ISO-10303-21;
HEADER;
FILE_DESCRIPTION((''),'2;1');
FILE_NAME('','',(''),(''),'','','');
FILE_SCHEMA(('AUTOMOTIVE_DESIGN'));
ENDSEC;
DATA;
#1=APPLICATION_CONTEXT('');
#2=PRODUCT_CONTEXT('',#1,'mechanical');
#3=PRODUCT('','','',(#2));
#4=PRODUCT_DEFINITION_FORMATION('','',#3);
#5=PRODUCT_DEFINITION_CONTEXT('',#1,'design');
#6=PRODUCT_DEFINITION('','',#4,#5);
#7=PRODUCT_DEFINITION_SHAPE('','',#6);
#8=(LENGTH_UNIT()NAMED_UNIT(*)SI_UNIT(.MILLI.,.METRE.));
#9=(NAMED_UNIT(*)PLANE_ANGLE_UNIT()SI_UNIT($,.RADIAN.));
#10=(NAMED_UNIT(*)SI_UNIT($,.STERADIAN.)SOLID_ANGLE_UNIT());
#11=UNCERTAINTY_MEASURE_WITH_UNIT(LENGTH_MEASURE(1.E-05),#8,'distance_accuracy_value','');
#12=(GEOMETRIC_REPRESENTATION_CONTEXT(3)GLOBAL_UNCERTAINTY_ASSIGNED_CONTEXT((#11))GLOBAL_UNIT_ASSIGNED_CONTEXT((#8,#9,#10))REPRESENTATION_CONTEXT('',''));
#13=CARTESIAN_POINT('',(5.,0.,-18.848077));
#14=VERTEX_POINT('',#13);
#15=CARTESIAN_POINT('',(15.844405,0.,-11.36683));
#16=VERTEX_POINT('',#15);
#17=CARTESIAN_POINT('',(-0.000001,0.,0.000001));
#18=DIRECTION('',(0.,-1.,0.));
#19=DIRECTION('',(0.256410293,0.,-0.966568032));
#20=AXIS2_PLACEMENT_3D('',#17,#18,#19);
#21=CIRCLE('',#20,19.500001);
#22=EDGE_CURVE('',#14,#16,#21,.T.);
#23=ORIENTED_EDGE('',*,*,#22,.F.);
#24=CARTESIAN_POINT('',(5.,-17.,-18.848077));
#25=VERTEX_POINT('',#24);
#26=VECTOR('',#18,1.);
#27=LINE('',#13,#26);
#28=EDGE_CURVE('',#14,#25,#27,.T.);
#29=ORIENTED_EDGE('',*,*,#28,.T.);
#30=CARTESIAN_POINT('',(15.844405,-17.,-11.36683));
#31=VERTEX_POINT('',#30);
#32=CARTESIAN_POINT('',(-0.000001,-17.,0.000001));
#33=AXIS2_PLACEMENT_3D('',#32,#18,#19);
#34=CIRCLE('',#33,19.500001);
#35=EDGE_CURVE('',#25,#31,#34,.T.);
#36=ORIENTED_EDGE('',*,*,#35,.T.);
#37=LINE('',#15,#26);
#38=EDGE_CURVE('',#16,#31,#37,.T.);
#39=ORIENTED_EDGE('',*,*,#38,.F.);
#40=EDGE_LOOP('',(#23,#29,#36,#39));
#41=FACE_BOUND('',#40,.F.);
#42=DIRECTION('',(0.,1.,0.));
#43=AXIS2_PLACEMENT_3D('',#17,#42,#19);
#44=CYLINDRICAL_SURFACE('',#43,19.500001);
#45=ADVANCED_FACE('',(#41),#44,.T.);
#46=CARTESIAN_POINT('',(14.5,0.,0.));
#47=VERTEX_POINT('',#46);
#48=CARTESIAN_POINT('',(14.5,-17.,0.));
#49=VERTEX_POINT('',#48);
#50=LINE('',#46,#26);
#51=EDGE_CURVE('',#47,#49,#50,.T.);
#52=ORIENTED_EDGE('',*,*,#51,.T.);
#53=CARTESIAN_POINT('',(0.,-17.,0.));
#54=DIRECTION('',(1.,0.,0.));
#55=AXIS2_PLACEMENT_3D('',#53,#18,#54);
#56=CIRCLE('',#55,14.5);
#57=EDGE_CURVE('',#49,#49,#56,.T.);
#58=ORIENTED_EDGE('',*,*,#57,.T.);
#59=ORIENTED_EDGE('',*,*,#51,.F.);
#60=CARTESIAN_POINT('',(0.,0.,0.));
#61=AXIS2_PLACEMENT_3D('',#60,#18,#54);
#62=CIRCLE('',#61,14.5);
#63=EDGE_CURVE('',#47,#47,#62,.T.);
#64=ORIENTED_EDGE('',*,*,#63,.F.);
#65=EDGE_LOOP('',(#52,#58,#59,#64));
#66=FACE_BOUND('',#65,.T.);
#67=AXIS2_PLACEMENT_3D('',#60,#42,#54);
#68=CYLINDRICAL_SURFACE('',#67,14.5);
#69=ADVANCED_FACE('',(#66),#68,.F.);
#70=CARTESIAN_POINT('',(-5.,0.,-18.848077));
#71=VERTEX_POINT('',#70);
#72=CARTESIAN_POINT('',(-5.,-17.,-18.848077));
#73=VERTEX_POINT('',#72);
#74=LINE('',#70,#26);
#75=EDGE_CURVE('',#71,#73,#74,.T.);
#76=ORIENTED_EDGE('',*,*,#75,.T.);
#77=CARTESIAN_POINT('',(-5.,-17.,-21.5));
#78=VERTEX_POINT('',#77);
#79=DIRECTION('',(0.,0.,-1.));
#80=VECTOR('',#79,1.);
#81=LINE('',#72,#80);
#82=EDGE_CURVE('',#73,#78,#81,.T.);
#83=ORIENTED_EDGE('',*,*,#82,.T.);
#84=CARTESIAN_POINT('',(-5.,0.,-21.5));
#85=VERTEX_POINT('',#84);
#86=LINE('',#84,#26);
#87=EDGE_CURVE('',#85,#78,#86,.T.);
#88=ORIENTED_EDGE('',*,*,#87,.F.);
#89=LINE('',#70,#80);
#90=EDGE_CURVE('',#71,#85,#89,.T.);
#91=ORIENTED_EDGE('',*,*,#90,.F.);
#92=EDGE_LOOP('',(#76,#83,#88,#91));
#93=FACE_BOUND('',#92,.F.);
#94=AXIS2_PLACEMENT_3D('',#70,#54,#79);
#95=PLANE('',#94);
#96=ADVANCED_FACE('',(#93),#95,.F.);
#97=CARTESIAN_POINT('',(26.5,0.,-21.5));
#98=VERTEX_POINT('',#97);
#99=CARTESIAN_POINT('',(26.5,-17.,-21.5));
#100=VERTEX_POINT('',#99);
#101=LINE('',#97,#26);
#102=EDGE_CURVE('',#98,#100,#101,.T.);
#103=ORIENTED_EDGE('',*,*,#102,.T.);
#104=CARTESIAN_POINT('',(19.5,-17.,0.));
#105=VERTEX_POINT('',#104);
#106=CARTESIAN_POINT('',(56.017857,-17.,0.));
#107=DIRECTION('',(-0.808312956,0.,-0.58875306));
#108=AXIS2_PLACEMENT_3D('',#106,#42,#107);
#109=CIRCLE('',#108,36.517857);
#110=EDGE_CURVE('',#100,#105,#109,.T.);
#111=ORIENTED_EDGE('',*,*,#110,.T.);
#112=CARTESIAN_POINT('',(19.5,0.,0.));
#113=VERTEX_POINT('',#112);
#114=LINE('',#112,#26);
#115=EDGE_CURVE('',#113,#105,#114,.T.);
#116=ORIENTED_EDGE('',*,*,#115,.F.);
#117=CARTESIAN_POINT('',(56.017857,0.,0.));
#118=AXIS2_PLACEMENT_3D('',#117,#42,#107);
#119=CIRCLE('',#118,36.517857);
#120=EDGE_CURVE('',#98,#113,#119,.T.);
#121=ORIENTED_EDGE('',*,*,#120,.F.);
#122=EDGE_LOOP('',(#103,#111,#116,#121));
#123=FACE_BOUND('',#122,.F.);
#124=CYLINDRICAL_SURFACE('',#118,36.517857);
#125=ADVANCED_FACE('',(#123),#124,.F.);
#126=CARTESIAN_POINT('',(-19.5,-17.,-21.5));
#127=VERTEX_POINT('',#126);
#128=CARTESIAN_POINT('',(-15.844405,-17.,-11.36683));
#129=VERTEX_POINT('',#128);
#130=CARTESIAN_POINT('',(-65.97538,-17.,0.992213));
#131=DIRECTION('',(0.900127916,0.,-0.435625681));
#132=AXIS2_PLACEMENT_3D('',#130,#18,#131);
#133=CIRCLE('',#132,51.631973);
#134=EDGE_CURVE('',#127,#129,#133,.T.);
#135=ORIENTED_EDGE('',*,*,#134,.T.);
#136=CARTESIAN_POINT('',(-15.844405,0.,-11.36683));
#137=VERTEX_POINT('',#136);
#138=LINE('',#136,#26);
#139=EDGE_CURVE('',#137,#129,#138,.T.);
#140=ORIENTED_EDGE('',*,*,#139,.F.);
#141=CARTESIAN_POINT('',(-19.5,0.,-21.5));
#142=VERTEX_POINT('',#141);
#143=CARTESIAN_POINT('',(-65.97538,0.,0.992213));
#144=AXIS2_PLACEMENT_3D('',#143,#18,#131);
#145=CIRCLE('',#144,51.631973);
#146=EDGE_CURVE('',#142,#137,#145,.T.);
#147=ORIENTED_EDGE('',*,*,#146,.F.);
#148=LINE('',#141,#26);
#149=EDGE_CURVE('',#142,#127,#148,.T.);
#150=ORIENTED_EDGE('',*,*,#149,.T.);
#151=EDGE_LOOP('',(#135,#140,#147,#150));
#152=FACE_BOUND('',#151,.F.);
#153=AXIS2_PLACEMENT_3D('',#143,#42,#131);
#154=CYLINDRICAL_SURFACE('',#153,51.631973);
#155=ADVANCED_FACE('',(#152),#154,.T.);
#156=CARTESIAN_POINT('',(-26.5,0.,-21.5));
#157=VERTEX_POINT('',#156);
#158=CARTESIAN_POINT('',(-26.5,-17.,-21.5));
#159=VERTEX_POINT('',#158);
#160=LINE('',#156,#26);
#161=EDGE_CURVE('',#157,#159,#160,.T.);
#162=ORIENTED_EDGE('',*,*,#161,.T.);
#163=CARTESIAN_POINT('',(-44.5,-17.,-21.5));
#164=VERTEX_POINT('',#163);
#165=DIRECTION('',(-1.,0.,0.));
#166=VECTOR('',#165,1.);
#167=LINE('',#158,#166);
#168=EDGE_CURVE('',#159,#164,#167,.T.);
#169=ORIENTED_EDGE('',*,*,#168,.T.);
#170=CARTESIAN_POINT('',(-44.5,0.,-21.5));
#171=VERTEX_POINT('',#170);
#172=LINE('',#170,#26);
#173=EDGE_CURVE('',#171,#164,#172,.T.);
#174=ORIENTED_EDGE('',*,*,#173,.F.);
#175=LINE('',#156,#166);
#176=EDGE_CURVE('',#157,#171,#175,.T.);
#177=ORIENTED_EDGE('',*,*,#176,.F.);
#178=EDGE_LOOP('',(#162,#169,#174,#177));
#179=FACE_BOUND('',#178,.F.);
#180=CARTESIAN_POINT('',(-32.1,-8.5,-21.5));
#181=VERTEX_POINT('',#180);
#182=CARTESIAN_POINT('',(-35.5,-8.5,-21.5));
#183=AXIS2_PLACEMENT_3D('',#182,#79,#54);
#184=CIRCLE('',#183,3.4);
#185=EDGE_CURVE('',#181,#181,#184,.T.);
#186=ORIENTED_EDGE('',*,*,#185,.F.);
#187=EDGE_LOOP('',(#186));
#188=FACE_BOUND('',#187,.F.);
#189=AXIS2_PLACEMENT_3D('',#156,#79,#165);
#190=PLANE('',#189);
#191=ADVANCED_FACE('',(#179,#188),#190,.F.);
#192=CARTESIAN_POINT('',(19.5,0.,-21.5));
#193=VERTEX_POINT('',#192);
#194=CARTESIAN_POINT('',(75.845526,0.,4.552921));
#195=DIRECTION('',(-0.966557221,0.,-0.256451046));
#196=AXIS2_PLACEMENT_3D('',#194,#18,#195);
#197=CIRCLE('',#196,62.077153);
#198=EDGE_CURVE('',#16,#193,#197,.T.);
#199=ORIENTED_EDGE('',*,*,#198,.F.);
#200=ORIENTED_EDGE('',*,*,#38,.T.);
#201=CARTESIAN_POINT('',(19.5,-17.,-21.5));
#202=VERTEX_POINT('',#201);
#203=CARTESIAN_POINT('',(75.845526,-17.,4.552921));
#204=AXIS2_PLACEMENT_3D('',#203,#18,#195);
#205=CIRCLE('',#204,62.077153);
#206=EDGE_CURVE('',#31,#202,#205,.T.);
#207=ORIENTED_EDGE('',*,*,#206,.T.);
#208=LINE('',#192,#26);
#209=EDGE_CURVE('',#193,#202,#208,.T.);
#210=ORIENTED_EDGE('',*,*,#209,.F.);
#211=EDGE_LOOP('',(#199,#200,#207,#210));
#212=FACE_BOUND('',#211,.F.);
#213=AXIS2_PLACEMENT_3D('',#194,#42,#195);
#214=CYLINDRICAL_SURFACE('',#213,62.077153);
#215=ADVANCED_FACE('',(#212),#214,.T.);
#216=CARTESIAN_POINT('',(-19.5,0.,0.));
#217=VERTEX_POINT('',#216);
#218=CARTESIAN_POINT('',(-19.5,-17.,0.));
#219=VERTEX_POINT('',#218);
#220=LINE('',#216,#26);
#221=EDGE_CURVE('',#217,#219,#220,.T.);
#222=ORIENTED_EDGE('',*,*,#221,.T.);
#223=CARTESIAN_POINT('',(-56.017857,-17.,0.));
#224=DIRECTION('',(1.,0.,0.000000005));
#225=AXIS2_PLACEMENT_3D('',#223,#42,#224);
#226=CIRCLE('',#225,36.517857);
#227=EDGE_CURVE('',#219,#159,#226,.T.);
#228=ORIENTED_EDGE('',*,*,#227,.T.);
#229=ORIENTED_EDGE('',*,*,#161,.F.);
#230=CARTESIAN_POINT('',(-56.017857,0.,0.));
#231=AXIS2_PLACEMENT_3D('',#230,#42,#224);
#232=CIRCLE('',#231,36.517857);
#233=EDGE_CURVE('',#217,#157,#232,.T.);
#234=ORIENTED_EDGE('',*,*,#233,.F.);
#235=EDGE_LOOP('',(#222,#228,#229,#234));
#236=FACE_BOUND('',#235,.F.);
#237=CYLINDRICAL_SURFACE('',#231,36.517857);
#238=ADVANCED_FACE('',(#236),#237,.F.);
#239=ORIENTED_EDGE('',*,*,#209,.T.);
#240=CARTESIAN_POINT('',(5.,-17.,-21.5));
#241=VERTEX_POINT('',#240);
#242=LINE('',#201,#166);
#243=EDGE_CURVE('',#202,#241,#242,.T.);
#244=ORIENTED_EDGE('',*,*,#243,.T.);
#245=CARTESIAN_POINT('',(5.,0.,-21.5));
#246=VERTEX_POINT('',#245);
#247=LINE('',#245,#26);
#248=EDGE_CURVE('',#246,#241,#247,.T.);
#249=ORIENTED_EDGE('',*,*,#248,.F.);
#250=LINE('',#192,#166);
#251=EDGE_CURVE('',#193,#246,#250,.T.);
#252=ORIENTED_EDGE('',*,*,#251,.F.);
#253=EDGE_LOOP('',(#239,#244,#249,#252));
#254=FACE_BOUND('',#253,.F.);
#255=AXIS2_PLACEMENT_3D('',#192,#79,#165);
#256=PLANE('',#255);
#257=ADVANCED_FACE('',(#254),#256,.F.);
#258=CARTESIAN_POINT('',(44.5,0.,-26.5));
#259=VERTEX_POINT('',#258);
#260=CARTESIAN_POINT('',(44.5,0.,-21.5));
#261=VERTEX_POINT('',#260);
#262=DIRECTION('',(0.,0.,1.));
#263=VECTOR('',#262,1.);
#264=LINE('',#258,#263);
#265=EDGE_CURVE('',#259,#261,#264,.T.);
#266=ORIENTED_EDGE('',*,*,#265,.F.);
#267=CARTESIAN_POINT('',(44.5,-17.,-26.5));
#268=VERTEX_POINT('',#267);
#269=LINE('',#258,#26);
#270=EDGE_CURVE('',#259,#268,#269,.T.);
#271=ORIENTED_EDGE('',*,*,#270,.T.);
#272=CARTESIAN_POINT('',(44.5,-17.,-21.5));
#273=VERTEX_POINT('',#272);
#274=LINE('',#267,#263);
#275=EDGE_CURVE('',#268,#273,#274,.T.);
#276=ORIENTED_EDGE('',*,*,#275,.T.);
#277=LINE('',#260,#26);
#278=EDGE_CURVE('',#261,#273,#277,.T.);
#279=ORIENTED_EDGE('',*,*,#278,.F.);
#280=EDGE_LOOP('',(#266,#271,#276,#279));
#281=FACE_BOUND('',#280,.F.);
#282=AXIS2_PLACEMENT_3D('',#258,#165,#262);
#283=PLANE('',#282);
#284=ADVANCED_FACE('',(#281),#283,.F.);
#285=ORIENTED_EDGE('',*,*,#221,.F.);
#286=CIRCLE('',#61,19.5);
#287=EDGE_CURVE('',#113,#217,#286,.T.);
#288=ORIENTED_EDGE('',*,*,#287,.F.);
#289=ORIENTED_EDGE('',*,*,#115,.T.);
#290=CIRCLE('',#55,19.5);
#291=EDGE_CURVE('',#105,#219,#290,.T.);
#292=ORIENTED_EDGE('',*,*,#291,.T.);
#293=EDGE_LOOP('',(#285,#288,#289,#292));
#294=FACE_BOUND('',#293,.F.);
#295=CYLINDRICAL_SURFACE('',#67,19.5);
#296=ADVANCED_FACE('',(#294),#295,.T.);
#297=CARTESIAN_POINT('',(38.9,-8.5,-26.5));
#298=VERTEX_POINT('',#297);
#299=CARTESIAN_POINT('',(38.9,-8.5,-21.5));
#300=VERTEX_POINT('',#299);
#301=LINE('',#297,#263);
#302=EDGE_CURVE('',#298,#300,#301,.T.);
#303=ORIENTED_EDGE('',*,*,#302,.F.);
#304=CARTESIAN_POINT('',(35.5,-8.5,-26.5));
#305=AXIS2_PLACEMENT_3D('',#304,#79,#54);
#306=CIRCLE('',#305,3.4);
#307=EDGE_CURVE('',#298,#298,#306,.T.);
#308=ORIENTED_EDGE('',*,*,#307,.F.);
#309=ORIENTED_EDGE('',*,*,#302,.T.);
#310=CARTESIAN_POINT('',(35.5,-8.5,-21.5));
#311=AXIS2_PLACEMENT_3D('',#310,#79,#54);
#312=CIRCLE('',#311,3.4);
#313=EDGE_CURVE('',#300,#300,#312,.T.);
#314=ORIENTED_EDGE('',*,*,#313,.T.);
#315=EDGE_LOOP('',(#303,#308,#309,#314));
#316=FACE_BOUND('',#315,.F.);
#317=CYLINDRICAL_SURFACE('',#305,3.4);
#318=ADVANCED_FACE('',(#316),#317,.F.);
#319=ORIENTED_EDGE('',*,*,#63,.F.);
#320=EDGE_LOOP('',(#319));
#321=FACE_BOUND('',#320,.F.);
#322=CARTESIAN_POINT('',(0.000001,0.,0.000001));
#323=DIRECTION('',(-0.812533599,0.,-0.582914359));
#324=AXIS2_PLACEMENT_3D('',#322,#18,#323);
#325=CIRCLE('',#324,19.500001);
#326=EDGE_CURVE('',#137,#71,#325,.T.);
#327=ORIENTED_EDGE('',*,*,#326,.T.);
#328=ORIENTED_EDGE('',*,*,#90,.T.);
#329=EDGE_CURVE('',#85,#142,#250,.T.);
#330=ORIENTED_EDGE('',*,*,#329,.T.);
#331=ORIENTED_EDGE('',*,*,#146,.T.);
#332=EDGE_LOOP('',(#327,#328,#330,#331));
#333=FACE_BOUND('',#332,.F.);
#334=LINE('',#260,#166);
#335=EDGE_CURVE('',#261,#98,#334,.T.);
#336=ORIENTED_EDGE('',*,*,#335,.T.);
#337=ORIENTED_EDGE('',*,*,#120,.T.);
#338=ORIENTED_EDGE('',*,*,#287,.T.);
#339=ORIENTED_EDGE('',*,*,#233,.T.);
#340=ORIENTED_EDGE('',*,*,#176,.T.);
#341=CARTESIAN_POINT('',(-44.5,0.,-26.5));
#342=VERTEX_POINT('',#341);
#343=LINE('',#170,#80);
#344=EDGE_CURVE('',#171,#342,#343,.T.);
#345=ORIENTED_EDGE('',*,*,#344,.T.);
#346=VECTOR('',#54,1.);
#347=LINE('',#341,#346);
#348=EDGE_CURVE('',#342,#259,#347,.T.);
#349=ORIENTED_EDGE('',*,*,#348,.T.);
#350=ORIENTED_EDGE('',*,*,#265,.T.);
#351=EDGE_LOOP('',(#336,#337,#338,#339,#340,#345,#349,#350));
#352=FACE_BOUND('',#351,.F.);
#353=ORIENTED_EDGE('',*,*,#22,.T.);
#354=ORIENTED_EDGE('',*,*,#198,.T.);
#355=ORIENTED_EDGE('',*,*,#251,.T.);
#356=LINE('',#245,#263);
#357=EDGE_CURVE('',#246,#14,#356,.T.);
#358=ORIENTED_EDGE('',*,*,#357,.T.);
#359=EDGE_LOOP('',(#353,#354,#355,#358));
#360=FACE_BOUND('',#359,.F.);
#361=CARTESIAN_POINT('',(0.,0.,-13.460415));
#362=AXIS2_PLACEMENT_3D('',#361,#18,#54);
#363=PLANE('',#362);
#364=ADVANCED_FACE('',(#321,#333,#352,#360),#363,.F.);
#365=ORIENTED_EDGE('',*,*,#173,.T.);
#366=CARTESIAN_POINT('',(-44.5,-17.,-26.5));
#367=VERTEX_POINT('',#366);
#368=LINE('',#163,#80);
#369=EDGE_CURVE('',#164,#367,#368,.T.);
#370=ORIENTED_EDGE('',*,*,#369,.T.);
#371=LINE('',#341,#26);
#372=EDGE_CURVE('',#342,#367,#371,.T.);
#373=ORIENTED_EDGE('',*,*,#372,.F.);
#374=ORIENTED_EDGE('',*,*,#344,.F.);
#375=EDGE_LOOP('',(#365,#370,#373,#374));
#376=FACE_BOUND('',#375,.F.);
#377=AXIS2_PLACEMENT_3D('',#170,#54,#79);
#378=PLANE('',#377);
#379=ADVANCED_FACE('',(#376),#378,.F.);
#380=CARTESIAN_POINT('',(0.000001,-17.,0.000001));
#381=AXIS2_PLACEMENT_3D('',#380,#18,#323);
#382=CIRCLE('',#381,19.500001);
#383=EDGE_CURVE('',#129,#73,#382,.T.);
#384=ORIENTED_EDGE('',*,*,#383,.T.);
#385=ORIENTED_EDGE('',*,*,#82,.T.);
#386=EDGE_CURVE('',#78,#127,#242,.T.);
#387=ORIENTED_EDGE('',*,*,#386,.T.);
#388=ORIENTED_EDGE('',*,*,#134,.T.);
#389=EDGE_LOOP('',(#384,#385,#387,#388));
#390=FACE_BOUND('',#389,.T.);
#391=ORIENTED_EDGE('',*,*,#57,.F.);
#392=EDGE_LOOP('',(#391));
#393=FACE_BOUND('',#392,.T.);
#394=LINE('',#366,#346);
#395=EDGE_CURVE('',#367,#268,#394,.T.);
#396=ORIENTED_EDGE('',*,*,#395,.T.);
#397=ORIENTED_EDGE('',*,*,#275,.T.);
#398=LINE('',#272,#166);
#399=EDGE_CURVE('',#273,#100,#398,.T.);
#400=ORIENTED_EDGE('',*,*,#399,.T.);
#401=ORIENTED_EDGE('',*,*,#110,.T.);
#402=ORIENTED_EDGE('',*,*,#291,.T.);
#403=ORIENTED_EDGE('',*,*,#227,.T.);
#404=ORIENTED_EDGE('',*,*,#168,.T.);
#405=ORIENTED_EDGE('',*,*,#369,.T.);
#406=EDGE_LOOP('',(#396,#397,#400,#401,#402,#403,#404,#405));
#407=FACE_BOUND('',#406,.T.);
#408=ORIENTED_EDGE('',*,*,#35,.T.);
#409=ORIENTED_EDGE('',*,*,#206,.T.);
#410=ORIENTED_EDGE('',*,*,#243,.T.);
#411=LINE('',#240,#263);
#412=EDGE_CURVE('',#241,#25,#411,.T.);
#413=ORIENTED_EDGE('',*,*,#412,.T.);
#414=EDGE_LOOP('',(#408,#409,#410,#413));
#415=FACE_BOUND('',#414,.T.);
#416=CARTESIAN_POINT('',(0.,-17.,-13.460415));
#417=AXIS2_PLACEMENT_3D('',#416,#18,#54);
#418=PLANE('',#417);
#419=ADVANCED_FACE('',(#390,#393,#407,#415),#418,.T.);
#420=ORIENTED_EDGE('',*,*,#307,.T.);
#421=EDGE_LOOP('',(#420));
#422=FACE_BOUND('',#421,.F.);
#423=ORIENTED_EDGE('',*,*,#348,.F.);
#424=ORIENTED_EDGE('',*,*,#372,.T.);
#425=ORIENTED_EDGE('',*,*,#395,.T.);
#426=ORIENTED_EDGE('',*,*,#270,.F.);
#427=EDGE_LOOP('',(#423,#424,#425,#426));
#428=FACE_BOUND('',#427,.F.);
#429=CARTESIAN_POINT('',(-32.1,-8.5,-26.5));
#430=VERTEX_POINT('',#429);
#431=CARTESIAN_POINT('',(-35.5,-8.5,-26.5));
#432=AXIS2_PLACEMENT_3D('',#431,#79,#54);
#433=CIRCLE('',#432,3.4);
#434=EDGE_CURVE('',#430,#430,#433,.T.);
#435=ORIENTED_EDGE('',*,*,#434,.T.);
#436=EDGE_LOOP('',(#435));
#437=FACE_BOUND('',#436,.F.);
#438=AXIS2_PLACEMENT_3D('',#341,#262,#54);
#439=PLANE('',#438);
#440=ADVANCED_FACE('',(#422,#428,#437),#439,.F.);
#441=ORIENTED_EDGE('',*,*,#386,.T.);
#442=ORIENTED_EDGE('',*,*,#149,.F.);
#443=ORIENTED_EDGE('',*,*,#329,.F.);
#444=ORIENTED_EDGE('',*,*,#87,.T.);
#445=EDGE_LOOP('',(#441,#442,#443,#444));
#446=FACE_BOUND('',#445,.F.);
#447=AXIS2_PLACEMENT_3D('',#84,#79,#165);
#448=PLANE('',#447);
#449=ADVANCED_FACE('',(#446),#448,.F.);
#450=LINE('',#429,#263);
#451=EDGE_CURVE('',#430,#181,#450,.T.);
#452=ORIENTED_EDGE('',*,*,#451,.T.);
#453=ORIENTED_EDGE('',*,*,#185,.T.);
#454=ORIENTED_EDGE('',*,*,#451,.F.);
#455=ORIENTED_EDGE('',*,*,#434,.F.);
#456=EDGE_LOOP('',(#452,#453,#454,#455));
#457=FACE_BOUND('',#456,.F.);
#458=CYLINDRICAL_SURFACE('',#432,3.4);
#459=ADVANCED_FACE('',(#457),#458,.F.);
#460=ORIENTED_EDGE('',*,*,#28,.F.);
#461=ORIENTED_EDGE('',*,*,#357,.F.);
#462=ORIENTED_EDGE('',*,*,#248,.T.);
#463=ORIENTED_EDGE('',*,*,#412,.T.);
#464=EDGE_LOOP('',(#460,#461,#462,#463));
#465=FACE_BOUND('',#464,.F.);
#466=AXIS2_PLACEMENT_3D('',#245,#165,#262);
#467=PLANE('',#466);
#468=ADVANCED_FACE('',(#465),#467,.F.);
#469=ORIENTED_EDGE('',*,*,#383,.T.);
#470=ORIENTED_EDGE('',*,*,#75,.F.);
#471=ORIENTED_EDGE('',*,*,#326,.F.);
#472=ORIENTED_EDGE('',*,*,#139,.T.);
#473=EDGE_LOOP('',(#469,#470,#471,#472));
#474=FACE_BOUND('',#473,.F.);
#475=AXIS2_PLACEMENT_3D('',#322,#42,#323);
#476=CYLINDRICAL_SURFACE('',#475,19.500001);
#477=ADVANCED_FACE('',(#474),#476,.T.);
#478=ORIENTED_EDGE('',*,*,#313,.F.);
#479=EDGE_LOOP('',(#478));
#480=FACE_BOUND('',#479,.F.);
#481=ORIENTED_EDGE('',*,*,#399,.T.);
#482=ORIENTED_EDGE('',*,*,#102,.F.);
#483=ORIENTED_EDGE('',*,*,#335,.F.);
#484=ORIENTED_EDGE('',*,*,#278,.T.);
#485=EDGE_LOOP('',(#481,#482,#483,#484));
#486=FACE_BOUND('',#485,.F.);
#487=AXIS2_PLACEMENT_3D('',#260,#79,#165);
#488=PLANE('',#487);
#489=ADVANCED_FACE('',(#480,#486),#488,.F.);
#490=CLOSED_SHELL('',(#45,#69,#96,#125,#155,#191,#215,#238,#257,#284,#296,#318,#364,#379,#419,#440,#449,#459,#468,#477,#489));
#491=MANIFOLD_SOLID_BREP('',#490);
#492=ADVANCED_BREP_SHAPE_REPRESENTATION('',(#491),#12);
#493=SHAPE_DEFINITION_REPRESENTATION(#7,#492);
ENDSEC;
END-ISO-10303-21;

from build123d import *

# Parameters (mm, degrees)
F0_R     = 14.5
F1_DEPTH = 17
F2_R     = 3.4
F3_DEPTH = 46.001


with BuildPart() as f1:
    # F0 (on Front) → F1 (new body)
    with BuildSketch(Plane.XZ):
        with BuildLine():
            Line((-44.5, -21.5), (-44.5, -26.5))
            Line((-44.5, -26.5), (44.5, -26.5))
            Line((44.5, -26.5), (44.5, -21.5))
            Line((44.5, -21.5), (26.5, -21.5))
            ThreePointArc((26.5, -21.5), (21.29407, -11.305419), (19.5, 0))
            ThreePointArc((19.5, 0), (0, 19.5), (-19.5, 0))
            ThreePointArc((-19.5, 0), (-21.29407, -11.305419), (-26.5, -21.5))
            Line((-26.5, -21.5), (-44.5, -21.5))
        make_face()
        with BuildLine():
            ThreePointArc((-19.5, -21.5), (-17.407209, -16.529013), (-15.844405, -11.36683))
            ThreePointArc((-15.844405, -11.36683), (-11.073146, -16.051026), (-5, -18.848077))
            ThreePointArc((-5, -18.848077), (0, -19.5), (5, -18.848077))
            ThreePointArc((5, -18.848077), (11.073146, -16.051026), (15.844405, -11.36683))
            ThreePointArc((15.844405, -11.36683), (17.451983, -16.51286), (19.5, -21.5))
            Line((19.5, -21.5), (5, -21.5))
            Line((5, -21.5), (-5, -21.5))
            Line((-5, -21.5), (-19.5, -21.5))
        make_face(mode=Mode.SUBTRACT)
        Circle(F0_R, mode=Mode.SUBTRACT)
        with BuildLine():
            ThreePointArc((5, -18.848077), (0, -19.5), (-5, -18.848077))
            Line((-5, -18.848077), (-5, -21.5))
            Line((-5, -21.5), (5, -21.5))
            Line((5, -21.5), (5, -18.848077))
        make_face()
    extrude(amount=F1_DEPTH)

    # F2 (on face) → F3 (cut, through all)
    with BuildSketch(Plane(origin=(0, 0, -26.5), x_dir=(1, 0, 0), z_dir=(0, 0, -1))):
        with Locations((-35.5, 8.5)):
            Circle(F2_R)
        with Locations((35.5, 8.5)):
            Circle(F2_R)
    extrude(amount=-F3_DEPTH, mode=Mode.SUBTRACT)


solid = f1.part
